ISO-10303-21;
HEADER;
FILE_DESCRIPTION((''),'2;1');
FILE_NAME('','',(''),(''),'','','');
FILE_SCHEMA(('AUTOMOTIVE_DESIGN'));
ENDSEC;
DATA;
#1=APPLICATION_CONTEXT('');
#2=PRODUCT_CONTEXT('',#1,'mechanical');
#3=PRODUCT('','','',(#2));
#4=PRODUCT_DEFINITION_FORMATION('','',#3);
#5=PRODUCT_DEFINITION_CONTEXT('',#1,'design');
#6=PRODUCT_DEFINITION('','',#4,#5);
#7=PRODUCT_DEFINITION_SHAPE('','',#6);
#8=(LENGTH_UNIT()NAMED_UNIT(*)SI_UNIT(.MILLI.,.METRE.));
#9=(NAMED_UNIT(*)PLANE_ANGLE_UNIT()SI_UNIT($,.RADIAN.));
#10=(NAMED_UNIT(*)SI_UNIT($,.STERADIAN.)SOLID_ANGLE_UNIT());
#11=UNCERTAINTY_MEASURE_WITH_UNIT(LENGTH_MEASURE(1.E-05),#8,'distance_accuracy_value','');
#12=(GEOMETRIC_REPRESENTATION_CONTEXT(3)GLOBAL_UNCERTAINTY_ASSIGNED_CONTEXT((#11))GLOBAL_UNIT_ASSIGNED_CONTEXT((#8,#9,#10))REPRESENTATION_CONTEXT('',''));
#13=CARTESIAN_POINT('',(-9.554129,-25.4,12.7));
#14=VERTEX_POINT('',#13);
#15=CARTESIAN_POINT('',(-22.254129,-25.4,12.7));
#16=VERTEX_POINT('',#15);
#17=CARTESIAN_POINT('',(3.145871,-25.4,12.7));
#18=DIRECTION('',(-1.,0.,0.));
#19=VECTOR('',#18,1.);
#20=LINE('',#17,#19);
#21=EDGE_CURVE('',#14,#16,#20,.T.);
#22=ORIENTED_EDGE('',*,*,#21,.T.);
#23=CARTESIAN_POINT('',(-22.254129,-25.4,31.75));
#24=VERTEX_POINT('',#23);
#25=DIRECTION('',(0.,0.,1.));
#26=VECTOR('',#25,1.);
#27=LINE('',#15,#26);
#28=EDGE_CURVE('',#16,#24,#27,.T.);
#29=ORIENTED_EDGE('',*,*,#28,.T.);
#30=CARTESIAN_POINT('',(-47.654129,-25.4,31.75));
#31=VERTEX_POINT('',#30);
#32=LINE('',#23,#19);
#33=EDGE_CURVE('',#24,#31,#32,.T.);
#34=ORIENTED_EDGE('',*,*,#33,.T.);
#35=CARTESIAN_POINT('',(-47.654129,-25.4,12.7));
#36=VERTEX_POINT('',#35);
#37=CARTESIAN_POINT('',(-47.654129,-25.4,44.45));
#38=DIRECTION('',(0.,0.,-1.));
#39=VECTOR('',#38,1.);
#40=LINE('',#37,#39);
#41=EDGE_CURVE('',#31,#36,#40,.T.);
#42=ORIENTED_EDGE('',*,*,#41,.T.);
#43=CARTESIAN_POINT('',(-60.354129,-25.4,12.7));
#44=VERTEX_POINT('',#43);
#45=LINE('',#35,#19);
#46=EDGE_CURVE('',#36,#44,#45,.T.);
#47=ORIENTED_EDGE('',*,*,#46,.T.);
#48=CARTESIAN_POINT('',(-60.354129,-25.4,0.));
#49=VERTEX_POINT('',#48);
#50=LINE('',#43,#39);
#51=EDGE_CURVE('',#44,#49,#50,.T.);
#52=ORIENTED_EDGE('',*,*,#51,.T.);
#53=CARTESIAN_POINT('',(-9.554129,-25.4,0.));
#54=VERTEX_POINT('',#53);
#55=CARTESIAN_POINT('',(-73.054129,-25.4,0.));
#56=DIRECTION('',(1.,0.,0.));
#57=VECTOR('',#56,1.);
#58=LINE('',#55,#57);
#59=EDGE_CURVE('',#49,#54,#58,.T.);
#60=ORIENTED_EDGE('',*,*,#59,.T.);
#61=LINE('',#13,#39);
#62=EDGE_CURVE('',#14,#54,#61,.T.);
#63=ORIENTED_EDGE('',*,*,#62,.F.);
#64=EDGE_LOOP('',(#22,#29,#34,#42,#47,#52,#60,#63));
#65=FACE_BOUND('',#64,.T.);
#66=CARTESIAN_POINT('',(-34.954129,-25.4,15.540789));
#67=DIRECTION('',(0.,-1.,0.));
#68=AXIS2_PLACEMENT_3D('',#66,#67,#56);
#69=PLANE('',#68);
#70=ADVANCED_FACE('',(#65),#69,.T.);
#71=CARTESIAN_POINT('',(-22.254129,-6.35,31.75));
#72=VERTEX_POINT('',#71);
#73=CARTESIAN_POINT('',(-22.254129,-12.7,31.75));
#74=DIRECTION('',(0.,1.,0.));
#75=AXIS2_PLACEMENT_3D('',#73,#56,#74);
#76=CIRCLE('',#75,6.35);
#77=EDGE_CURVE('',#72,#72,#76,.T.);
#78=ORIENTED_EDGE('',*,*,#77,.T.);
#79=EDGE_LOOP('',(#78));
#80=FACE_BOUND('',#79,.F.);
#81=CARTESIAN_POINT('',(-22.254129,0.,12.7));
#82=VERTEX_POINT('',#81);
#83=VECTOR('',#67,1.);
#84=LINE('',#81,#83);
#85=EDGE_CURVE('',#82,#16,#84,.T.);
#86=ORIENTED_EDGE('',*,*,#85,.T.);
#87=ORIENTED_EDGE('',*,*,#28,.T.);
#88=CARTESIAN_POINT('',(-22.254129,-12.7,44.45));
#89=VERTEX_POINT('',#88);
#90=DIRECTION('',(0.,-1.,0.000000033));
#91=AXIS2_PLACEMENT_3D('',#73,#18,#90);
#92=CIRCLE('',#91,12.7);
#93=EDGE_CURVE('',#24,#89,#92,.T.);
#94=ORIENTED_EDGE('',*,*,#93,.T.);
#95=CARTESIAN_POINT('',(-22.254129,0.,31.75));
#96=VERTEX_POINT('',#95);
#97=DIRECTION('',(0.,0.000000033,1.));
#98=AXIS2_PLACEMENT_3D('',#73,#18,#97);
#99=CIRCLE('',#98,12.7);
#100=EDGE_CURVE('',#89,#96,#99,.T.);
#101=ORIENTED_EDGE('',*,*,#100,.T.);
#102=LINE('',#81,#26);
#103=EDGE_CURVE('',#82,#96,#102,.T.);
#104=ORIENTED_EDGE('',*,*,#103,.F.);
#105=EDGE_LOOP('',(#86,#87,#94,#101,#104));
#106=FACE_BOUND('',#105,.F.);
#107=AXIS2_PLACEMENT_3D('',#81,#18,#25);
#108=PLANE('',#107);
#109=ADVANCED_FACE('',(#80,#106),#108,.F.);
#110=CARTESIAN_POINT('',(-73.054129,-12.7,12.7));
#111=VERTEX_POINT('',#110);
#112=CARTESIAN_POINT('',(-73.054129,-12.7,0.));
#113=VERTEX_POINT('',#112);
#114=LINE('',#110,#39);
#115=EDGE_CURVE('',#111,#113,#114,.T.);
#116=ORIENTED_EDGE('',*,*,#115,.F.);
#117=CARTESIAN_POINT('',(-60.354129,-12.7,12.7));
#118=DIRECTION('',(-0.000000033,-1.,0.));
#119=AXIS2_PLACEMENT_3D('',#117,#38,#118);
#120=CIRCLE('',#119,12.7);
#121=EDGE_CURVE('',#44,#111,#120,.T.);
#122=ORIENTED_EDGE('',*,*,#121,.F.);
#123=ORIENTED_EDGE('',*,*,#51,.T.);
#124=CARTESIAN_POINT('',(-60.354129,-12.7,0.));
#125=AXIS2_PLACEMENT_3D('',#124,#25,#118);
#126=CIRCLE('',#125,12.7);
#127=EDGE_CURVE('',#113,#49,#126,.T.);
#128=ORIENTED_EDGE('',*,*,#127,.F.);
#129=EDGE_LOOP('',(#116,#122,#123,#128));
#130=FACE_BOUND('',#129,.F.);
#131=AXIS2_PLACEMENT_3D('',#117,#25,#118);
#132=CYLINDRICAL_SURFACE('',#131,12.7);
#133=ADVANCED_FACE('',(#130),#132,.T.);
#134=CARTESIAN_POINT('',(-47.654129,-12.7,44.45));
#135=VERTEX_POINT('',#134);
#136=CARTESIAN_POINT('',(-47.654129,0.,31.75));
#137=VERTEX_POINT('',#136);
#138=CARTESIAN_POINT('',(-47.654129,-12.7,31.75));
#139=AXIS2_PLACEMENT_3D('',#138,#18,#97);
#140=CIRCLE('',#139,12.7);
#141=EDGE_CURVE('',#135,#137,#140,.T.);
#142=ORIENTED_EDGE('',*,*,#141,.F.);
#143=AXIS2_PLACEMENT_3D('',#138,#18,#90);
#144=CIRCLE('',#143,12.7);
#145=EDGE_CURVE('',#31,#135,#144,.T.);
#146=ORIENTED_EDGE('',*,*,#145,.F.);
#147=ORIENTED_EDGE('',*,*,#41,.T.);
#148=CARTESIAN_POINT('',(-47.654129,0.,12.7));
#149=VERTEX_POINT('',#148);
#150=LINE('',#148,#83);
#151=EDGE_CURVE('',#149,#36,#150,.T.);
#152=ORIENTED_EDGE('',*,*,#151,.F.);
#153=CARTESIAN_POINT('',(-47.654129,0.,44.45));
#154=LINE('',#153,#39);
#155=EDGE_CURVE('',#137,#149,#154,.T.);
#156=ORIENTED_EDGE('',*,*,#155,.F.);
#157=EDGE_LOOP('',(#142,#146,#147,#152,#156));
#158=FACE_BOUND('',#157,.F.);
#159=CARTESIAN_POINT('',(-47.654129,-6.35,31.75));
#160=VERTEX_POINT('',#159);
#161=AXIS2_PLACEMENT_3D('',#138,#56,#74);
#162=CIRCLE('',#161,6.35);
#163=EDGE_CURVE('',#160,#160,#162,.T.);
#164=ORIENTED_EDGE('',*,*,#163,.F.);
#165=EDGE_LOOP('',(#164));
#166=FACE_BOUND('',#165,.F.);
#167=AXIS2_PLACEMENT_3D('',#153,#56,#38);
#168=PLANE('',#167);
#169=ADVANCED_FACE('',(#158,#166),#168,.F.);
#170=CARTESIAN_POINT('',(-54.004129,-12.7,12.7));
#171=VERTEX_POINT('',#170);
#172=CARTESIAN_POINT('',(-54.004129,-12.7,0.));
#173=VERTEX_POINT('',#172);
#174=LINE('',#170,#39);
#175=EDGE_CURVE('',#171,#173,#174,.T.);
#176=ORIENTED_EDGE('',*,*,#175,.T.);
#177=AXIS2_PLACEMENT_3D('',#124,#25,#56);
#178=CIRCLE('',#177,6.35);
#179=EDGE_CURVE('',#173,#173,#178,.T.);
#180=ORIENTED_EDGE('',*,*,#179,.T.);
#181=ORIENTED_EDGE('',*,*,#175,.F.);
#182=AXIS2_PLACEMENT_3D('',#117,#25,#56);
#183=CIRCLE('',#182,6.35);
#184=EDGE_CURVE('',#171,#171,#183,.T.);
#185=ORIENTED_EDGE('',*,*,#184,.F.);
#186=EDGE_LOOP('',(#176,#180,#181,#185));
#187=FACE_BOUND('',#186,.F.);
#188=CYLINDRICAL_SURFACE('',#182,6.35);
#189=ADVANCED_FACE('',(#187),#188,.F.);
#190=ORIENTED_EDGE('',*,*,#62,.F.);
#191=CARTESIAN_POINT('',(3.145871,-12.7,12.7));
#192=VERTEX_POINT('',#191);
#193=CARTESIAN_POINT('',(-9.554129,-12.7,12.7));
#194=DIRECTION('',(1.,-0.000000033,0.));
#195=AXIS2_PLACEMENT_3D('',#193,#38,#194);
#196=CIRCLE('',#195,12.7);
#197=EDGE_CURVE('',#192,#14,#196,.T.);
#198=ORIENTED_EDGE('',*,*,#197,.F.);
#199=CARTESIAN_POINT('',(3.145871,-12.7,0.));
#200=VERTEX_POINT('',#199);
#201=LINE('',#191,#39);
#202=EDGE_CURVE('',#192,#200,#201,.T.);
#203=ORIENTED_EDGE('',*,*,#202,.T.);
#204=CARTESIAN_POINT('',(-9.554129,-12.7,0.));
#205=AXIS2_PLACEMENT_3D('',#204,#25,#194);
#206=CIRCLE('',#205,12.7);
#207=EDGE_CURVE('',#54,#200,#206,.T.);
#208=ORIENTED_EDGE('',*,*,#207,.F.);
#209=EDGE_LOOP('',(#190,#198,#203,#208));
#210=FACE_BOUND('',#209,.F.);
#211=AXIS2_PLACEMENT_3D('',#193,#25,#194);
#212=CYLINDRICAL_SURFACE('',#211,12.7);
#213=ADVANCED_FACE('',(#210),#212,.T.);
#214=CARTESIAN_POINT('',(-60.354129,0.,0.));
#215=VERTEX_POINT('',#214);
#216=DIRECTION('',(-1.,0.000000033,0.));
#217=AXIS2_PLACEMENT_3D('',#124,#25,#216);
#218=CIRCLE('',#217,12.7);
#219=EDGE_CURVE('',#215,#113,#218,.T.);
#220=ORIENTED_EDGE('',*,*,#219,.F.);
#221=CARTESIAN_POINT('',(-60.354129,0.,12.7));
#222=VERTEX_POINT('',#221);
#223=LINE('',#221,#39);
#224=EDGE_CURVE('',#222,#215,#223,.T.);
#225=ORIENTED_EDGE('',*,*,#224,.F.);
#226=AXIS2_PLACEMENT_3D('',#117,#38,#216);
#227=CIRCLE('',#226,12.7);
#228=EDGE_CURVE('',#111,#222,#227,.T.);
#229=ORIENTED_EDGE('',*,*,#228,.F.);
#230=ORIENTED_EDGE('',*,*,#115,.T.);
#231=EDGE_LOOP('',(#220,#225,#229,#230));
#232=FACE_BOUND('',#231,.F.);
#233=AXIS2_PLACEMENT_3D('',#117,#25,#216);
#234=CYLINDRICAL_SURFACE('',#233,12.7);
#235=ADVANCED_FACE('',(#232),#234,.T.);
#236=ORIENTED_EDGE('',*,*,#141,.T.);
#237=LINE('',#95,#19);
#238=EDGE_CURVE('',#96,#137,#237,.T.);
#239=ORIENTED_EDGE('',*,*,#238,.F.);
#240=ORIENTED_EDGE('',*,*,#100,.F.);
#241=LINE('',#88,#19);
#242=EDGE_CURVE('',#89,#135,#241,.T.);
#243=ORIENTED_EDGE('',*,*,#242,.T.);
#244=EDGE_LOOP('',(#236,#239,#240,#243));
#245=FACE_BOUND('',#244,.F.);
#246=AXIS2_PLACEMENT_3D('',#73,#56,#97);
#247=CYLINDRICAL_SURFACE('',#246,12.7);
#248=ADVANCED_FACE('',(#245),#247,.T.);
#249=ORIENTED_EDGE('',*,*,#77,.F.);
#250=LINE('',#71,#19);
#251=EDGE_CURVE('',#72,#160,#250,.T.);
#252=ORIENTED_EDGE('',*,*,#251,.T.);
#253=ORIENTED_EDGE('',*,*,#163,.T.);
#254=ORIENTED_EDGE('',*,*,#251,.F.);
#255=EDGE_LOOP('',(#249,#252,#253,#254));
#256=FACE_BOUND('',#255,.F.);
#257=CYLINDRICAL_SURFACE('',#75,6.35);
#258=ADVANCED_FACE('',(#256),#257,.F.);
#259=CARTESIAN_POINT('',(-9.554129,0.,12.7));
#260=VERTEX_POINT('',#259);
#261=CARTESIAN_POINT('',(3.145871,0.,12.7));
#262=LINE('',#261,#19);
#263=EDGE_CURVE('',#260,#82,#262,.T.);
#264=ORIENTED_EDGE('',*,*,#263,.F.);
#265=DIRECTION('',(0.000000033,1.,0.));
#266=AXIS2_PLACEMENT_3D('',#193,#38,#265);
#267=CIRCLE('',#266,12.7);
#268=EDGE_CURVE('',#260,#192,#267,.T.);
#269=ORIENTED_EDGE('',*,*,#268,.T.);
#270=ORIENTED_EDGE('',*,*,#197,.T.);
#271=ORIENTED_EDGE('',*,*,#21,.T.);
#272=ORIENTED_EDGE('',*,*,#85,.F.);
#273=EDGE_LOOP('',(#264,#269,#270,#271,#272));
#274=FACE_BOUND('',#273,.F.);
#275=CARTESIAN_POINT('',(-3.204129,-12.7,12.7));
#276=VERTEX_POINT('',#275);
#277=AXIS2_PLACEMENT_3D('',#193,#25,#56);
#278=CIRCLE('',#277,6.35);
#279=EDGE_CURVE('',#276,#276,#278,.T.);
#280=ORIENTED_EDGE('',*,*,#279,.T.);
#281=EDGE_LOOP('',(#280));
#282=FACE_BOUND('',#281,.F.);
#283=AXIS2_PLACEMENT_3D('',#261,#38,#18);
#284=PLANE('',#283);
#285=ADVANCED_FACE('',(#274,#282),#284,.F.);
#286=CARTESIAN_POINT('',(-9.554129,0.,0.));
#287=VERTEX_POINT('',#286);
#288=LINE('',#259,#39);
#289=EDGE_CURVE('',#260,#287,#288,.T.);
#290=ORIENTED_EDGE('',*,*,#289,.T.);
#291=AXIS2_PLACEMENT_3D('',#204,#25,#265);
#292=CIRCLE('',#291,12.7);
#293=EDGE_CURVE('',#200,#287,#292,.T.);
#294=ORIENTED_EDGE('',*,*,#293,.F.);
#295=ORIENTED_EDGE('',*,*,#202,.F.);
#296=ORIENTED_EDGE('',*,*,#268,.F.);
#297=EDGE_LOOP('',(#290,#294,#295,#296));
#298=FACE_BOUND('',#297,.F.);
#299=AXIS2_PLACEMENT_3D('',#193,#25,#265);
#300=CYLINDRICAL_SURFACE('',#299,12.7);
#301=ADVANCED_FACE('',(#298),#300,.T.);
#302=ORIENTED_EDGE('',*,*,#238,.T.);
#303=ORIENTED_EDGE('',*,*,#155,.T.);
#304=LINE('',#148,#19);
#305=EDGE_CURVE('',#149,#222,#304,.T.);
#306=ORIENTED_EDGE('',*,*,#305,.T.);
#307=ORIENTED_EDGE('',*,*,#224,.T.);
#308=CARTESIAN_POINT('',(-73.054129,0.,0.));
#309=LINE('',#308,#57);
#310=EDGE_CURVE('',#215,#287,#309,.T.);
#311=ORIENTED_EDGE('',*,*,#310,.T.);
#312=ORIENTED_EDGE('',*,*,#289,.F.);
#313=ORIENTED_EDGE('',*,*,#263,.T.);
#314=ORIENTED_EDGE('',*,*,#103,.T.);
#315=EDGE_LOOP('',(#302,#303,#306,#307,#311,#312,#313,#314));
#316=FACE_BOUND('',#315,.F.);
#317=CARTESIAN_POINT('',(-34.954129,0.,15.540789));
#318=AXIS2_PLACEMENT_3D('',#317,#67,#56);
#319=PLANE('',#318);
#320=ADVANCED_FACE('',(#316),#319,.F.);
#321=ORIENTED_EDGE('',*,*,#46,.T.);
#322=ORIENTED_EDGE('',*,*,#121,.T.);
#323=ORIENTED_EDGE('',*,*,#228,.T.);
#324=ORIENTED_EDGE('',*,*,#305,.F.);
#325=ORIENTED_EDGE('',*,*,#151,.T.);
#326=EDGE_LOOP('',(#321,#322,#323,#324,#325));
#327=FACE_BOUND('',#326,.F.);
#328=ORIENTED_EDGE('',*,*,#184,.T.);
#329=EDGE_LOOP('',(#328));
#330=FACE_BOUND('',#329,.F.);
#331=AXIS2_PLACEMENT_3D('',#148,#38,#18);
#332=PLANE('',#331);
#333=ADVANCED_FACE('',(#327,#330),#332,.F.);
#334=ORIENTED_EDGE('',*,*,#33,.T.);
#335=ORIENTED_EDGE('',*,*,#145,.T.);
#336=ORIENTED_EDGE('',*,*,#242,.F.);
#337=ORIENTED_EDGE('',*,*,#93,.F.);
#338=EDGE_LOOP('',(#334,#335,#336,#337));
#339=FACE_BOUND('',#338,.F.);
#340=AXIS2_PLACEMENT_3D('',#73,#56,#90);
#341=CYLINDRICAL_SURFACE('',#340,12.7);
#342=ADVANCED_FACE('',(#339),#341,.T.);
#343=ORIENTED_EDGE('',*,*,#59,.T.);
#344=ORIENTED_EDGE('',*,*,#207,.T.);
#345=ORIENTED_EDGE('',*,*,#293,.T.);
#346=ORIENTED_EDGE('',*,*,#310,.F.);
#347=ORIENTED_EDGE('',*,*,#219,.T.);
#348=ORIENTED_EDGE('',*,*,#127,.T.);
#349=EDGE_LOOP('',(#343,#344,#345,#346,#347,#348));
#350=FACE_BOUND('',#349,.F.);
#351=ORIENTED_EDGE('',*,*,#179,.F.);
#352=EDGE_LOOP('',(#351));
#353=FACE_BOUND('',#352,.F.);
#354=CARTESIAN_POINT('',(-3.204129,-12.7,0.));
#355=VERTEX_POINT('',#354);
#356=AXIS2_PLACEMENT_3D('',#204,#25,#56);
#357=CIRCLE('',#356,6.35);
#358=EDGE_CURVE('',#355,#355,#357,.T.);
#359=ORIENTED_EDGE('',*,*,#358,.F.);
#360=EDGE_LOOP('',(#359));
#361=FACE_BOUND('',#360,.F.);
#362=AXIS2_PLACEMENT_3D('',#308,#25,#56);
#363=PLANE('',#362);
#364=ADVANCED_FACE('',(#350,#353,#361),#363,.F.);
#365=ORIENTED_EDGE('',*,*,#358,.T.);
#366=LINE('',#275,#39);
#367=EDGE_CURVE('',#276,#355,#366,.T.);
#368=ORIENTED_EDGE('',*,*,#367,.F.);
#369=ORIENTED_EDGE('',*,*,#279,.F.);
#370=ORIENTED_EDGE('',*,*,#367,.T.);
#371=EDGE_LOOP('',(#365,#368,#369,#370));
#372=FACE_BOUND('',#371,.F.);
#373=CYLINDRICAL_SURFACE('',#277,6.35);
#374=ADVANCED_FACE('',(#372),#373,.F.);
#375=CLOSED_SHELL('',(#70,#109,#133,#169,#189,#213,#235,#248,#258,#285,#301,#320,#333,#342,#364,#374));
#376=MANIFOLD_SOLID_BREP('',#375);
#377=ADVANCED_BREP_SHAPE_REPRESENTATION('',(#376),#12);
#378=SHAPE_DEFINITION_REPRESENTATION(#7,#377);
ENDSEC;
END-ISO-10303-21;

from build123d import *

# Parameters (mm, degrees)
F1_DEPTH  = 25.4
F4_DEPTH  = 25.4
F6_R      = 6.35
F5_R      = 6.35
F7_DEPTH  = 25.4
F9_DEPTH  = 25.4
F10_R     = 6.35
F11_DEPTH = 25.4


with BuildPart() as f1:
    # F0 (on Front) → F1 (new body)
    with BuildSketch(Plane.XZ):
        Polygon((-73.054129, 12.7), (-73.054129, 0), (3.145871, 0), (3.145871, 12.7), (-22.254129, 12.7), (-22.254129, 44.45), (-47.654129, 44.45), (-47.654129, 12.7), align=None)
    extrude(amount=F1_DEPTH)

    # F3 (on face) + F2 (on face) → F4 (cut)
    with BuildSketch(Plane.XY.offset(12.7)):
        with BuildLine():
            ThreePointArc((-73.054129, -12.7), (-69.334385, -3.719744), (-60.354129, 0))
            Line((-60.354129, 0), (-73.054129, 0))
            Line((-73.054129, 0), (-73.054129, -12.7))
        make_face()
        with BuildLine():
            ThreePointArc((-60.354129, -25.4), (-69.334385, -21.680256), (-73.054129, -12.7))
            Line((-73.054129, -12.7), (-73.054129, -25.4))
            Line((-73.054129, -25.4), (-60.354129, -25.4))
        make_face()
    with BuildSketch(Plane.XY.offset(12.7)):
        with BuildLine():
            ThreePointArc((-9.554129, 0), (-0.573873, -3.719744), (3.145871, -12.7))
            Line((3.145871, -12.7), (3.145871, 0))
            Line((3.145871, 0), (-9.554129, 0))
        make_face()
        with BuildLine():
            ThreePointArc((3.145871, -12.7), (-0.573873, -21.680256), (-9.554129, -25.4))
            Line((-9.554129, -25.4), (3.145871, -25.4))
            Line((3.145871, -25.4), (3.145871, -12.7))
        make_face()
    extrude(amount=-F4_DEPTH, mode=Mode.SUBTRACT)

    # F6 (on face) + F5 (on face) → F7 (cut)
    with BuildSketch(Plane.XY.offset(12.7)):
        with Locations((-60.354129, -12.7)):
            Circle(F6_R)
    with BuildSketch(Plane.XY.offset(12.7)):
        with Locations((-9.554129, -12.7)):
            Circle(F5_R)
    extrude(amount=-F7_DEPTH, mode=Mode.SUBTRACT)

    # F8 (on face) → F9 (cut)
    with BuildSketch(Plane.YZ.offset(-22.254129)):
        with BuildLine():
            ThreePointArc((-25.4, 31.75), (-21.680256, 40.730256), (-12.7, 44.45))
            Line((-12.7, 44.45), (-25.4, 44.45))
            Line((-25.4, 44.45), (-25.4, 31.75))
        make_face()
        with BuildLine():
            ThreePointArc((-12.7, 44.45), (-3.719744, 40.730256), (0, 31.75))
            Line((0, 31.75), (0, 44.45))
            Line((0, 44.45), (-12.7, 44.45))
        make_face()
    extrude(amount=-F9_DEPTH, mode=Mode.SUBTRACT)

    # F10 (on face) → F11 (cut)
    with BuildSketch(Plane.YZ.offset(-22.254129)):
        with Locations((-12.7, 31.75)):
            Circle(F10_R)
    extrude(amount=-F11_DEPTH, mode=Mode.SUBTRACT)


solid = f1.part
